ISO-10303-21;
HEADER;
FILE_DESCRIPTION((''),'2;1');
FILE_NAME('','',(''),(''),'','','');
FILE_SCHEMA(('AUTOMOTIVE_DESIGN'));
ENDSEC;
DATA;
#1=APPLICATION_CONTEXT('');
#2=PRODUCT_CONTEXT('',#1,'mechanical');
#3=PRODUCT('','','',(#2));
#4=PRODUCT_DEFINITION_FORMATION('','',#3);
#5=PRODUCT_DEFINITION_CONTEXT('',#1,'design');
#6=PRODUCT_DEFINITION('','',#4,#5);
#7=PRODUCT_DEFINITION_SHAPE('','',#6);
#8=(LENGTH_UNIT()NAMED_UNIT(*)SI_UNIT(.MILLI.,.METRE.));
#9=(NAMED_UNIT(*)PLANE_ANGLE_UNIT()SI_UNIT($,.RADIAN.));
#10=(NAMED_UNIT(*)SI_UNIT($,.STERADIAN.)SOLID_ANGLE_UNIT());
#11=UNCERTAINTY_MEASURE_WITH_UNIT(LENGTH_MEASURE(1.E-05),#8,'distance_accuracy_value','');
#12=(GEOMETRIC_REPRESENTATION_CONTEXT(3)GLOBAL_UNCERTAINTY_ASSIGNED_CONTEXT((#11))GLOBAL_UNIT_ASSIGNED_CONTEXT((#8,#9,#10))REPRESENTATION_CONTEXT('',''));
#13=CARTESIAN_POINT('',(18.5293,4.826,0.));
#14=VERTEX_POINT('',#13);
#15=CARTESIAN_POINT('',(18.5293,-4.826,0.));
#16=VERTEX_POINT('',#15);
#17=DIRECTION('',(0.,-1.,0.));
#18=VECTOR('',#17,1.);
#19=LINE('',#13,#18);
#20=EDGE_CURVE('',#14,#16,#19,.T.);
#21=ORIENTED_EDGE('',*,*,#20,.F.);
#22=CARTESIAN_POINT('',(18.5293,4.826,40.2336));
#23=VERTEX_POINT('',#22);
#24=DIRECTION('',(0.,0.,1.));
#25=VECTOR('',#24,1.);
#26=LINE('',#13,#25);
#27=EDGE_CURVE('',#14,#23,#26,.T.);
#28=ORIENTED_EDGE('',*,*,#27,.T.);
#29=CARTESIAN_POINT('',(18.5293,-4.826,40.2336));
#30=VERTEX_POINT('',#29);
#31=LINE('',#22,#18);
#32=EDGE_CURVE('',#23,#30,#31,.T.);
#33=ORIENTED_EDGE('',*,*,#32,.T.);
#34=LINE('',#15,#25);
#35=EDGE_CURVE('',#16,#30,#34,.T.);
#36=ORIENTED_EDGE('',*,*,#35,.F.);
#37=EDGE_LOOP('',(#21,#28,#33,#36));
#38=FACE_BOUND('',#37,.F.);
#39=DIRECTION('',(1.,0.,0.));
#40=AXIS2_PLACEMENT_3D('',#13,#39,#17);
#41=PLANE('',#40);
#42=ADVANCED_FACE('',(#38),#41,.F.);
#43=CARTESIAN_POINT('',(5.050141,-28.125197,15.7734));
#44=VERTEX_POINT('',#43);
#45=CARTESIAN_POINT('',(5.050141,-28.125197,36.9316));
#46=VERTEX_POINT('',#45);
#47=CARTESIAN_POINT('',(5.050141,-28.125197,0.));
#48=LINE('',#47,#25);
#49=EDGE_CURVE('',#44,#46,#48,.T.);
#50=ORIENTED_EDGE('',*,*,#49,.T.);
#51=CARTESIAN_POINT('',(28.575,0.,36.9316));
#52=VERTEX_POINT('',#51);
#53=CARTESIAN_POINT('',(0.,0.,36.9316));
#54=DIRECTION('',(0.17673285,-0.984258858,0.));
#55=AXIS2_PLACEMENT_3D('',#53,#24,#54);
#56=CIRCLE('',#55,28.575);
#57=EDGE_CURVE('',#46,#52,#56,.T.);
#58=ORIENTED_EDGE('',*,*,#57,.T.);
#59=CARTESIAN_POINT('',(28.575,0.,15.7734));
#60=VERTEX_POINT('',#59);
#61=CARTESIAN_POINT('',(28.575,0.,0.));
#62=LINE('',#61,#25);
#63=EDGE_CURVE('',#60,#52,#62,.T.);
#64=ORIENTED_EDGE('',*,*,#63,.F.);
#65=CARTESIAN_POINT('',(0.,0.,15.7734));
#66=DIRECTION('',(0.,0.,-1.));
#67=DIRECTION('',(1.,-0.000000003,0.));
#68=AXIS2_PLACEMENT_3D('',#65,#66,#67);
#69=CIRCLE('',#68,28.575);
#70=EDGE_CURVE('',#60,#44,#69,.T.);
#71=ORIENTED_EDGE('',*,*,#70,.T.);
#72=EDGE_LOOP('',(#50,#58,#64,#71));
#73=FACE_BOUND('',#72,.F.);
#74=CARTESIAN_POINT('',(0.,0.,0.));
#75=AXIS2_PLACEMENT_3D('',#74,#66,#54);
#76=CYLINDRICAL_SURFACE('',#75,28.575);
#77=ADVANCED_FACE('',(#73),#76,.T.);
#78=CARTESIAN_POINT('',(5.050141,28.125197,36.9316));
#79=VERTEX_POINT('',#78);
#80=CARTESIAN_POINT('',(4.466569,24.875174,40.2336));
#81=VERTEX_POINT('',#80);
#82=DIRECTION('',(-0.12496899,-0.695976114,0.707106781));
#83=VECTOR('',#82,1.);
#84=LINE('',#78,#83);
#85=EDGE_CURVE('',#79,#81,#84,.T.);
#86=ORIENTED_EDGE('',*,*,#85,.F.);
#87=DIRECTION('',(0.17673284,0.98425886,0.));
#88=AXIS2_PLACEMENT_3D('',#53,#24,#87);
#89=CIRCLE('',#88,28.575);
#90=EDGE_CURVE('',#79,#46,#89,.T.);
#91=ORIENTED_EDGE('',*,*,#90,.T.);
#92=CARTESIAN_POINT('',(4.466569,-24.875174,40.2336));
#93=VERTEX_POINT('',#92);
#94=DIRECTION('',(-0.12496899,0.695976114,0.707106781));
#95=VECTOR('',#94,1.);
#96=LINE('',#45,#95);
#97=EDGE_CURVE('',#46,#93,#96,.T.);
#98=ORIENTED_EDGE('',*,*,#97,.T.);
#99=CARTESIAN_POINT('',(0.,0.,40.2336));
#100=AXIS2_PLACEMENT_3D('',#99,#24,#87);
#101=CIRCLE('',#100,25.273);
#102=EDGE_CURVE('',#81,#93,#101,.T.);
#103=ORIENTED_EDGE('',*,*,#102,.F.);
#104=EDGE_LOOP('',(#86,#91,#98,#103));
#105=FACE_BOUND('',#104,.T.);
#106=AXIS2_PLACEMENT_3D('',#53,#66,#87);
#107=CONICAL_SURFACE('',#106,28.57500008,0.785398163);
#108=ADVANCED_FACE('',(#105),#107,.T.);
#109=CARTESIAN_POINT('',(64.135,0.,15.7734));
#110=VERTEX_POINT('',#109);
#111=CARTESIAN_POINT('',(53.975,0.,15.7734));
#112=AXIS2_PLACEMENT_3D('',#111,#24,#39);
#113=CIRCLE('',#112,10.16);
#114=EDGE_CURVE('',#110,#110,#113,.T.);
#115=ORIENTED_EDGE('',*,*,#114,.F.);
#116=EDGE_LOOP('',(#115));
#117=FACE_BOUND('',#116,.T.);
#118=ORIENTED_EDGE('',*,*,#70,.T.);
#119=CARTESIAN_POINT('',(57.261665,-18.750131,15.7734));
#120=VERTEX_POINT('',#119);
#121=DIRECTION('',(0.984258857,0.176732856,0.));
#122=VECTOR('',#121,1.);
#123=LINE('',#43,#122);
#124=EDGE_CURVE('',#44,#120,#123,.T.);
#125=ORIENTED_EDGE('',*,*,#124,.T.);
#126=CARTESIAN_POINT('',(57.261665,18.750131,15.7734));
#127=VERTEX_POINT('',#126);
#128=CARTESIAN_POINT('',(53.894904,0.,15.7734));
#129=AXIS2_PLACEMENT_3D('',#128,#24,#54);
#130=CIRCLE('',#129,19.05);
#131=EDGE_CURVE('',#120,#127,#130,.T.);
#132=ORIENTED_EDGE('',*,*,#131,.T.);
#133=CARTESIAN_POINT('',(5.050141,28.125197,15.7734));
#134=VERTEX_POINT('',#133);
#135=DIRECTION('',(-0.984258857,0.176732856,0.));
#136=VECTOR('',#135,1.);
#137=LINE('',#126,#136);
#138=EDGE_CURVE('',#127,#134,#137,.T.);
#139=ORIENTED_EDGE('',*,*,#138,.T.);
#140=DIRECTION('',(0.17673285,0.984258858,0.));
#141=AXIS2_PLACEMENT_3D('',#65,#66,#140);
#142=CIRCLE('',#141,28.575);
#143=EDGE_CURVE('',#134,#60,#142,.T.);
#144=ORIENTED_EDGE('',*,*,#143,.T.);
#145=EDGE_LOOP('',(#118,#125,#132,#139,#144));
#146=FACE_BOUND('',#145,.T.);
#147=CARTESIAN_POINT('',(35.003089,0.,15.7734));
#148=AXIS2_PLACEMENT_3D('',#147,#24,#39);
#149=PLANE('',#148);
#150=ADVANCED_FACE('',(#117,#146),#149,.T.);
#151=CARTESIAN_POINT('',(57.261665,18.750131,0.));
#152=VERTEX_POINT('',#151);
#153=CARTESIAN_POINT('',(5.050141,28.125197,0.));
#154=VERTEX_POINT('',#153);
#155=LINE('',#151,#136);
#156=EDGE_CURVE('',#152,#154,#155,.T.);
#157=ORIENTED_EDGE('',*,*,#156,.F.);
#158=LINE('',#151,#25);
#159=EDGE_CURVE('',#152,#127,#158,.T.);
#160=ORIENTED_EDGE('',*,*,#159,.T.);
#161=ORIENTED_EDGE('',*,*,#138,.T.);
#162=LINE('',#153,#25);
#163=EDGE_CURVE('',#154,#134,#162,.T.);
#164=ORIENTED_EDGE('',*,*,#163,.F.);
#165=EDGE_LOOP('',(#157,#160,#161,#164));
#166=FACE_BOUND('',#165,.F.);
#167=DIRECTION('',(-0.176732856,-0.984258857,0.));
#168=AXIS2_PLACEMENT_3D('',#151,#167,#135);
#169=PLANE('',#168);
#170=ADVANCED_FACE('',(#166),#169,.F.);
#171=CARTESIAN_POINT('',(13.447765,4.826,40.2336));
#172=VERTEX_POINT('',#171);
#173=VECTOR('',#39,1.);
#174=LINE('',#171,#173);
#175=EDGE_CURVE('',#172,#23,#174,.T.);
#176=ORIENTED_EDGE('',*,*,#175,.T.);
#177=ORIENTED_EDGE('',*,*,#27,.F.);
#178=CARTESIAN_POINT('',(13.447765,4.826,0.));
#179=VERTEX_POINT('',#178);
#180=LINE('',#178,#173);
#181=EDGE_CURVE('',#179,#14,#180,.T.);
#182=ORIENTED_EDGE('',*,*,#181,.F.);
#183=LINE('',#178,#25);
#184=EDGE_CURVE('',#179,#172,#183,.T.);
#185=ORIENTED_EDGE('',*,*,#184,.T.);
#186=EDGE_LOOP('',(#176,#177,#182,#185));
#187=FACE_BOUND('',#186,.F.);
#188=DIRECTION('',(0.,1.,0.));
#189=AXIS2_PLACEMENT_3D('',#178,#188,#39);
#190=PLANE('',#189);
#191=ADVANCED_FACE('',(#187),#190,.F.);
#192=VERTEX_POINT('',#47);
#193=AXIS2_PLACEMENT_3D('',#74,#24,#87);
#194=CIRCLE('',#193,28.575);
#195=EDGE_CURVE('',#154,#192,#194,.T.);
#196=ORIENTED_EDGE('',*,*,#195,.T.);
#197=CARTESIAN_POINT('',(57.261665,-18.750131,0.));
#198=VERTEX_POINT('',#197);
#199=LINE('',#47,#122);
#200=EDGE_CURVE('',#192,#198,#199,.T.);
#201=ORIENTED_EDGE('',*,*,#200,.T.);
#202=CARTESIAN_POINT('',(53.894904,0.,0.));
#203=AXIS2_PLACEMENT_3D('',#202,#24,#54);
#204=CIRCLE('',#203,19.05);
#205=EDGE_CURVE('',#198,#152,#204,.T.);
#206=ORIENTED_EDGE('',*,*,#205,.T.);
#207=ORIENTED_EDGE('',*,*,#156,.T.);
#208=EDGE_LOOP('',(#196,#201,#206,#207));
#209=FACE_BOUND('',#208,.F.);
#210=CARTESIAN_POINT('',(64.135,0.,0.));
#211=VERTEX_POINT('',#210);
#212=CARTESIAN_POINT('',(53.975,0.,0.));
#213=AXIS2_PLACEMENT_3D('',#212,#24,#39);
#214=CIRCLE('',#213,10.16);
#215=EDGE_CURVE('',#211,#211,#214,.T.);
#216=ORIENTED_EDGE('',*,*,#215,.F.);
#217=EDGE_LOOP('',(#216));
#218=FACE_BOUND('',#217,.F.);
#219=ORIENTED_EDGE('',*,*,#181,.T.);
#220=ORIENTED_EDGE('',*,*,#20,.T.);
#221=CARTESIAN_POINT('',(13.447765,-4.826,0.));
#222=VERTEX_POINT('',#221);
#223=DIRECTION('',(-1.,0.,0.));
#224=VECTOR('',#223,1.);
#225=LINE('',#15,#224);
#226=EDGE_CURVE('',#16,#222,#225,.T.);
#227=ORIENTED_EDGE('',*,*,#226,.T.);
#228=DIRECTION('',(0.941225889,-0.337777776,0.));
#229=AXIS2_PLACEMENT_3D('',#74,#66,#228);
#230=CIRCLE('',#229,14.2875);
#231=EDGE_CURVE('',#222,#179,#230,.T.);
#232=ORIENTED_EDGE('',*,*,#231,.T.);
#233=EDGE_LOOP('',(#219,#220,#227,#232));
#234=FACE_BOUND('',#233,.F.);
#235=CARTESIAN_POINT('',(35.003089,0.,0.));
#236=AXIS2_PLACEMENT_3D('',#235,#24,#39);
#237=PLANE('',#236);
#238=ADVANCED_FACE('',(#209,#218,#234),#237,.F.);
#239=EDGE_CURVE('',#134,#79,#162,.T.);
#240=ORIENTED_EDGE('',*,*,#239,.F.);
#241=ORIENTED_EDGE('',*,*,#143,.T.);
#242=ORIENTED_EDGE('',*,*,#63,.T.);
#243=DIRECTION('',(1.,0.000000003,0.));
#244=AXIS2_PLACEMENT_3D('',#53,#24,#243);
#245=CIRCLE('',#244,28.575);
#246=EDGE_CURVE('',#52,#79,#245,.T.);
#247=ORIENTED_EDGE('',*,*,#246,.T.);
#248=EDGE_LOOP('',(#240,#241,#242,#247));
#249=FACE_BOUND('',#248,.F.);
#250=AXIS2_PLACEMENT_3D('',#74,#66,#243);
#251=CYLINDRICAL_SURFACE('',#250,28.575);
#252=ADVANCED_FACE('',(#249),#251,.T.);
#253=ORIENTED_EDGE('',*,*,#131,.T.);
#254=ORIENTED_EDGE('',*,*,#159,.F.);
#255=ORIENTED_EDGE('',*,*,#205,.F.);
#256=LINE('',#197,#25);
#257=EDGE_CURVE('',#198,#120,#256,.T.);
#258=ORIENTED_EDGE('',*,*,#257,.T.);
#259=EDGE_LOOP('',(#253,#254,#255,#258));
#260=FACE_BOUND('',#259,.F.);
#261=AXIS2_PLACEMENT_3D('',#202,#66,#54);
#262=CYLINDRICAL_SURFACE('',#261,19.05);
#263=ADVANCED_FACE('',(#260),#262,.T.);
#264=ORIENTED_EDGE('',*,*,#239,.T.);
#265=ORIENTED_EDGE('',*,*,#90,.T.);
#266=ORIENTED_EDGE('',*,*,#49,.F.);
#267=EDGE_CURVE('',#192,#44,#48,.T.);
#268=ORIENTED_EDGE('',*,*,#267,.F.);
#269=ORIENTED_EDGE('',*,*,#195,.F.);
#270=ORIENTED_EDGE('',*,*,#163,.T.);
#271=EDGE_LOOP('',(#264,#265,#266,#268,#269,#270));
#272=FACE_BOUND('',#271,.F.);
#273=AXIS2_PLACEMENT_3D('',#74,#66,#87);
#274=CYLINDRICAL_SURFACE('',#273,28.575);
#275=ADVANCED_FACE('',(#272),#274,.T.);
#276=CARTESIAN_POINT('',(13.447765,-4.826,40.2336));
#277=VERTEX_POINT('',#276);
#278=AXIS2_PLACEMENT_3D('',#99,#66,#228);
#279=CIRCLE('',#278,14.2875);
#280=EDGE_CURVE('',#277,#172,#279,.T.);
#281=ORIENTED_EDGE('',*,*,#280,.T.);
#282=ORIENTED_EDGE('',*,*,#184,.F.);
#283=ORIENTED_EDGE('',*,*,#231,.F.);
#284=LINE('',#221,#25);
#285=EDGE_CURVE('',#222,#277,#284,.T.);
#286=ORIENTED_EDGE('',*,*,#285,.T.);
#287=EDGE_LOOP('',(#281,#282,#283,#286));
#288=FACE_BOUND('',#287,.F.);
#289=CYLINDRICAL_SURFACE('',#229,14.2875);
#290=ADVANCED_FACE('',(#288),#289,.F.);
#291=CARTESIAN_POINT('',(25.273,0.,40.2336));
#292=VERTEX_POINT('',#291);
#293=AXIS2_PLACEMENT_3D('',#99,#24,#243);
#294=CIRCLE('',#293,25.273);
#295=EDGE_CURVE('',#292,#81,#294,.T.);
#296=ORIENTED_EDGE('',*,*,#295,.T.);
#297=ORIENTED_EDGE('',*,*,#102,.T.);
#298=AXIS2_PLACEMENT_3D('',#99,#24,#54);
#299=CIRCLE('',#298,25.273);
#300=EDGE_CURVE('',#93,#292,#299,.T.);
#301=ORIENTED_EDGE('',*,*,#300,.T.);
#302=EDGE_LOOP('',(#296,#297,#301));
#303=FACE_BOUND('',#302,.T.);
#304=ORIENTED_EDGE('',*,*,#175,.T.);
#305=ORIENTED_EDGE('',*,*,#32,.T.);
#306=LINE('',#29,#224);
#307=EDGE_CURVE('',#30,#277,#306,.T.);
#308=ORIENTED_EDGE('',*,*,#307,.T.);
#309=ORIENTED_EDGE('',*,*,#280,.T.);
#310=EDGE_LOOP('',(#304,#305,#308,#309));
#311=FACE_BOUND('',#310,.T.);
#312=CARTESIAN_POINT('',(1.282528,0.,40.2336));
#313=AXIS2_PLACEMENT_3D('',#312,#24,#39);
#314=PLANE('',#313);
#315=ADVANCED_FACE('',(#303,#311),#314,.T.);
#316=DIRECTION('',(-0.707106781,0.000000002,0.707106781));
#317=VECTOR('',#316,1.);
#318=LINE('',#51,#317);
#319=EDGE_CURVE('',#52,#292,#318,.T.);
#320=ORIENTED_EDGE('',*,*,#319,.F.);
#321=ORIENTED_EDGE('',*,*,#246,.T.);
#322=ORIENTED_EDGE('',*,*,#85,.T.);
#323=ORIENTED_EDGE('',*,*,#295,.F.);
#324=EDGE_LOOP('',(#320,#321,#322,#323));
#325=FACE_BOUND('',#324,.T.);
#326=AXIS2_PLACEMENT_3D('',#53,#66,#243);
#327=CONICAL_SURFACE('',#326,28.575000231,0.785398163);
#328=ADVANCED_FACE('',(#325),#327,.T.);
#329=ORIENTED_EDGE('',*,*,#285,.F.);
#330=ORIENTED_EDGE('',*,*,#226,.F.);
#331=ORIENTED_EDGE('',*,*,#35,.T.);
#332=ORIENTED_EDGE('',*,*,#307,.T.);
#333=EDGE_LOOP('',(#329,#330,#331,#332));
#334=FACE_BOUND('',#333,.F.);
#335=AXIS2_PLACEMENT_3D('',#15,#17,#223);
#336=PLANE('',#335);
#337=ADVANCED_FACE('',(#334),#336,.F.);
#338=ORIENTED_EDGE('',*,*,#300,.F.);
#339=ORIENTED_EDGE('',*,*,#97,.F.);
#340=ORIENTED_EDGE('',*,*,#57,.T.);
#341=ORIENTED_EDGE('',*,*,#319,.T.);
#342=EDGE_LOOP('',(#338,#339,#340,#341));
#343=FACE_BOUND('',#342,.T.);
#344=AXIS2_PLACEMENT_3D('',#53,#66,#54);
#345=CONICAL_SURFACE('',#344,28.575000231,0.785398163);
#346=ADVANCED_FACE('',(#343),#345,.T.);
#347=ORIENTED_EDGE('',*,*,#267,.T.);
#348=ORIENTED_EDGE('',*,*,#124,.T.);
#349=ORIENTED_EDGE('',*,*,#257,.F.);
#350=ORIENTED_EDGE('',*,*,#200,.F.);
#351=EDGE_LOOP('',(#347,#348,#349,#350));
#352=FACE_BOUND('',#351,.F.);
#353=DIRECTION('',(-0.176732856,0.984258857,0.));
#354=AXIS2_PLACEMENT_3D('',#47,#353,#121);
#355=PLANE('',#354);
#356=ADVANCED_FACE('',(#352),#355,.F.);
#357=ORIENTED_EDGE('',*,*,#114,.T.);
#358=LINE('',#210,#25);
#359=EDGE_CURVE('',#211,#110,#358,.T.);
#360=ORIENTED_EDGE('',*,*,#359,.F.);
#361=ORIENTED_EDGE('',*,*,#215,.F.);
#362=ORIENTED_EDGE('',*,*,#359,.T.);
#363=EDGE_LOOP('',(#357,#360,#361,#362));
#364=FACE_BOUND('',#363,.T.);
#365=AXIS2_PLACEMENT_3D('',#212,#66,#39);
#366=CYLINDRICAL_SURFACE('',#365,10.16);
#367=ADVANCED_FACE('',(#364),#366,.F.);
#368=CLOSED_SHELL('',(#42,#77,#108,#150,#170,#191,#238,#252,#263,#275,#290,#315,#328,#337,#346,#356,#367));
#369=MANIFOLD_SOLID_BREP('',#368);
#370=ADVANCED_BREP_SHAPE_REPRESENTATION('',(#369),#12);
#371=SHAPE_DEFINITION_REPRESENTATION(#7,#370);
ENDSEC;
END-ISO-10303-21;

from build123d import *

# Parameters (mm, degrees)
F1_DEPTH = 40.2336
F0_R     = 10.16
F2_DEPTH = 15.7734
F3_SIZE  = 3.302


with BuildPart() as f1:
    # F0 (on Top) → F1 (new body)
    with BuildSketch(Plane.XY):
        with BuildLine():
            ThreePointArc((5.050141, -28.125197), (21.918467, -18.333342), (28.575, 0))
            ThreePointArc((28.575, 0), (21.918467, 18.333342), (5.050141, 28.125197))
            ThreePointArc((5.050141, 28.125197), (-28.575, 0), (5.050141, -28.125197))
        make_face()
        with BuildLine():
            ThreePointArc((13.447765, -4.826), (-14.2875, 0), (13.447765, 4.826))
            Line((13.447765, 4.826), (18.5293, 4.826))
            Line((18.5293, 4.826), (18.5293, -4.826))
            Line((18.5293, -4.826), (13.447765, -4.826))
        make_face(mode=Mode.SUBTRACT)
    extrude(amount=F1_DEPTH)

    # F0 (on Top) → F2 (join)
    with BuildSketch(Plane.XY):
        with BuildLine():
            ThreePointArc((5.050141, 28.125197), (21.918467, 18.333342), (28.575, 0))
            ThreePointArc((28.575, 0), (21.918467, -18.333342), (5.050141, -28.125197))
            Line((5.050141, -28.125197), (57.261665, -18.750131))
            ThreePointArc((57.261665, -18.750131), (72.944904, 0), (57.261665, 18.750131))
            Line((57.261665, 18.750131), (5.050141, 28.125197))
        make_face()
        with Locations((53.975, 0)):
            Circle(F0_R, mode=Mode.SUBTRACT)
    extrude(amount=F2_DEPTH)

    # F3
    f3_edges = [f1.edges().sort_by_distance(p)[0] for p in [
        (-5.050141, 28.125197, 40.2336),
    ]]
    chamfer(f3_edges, length=F3_SIZE)


solid = f1.part
